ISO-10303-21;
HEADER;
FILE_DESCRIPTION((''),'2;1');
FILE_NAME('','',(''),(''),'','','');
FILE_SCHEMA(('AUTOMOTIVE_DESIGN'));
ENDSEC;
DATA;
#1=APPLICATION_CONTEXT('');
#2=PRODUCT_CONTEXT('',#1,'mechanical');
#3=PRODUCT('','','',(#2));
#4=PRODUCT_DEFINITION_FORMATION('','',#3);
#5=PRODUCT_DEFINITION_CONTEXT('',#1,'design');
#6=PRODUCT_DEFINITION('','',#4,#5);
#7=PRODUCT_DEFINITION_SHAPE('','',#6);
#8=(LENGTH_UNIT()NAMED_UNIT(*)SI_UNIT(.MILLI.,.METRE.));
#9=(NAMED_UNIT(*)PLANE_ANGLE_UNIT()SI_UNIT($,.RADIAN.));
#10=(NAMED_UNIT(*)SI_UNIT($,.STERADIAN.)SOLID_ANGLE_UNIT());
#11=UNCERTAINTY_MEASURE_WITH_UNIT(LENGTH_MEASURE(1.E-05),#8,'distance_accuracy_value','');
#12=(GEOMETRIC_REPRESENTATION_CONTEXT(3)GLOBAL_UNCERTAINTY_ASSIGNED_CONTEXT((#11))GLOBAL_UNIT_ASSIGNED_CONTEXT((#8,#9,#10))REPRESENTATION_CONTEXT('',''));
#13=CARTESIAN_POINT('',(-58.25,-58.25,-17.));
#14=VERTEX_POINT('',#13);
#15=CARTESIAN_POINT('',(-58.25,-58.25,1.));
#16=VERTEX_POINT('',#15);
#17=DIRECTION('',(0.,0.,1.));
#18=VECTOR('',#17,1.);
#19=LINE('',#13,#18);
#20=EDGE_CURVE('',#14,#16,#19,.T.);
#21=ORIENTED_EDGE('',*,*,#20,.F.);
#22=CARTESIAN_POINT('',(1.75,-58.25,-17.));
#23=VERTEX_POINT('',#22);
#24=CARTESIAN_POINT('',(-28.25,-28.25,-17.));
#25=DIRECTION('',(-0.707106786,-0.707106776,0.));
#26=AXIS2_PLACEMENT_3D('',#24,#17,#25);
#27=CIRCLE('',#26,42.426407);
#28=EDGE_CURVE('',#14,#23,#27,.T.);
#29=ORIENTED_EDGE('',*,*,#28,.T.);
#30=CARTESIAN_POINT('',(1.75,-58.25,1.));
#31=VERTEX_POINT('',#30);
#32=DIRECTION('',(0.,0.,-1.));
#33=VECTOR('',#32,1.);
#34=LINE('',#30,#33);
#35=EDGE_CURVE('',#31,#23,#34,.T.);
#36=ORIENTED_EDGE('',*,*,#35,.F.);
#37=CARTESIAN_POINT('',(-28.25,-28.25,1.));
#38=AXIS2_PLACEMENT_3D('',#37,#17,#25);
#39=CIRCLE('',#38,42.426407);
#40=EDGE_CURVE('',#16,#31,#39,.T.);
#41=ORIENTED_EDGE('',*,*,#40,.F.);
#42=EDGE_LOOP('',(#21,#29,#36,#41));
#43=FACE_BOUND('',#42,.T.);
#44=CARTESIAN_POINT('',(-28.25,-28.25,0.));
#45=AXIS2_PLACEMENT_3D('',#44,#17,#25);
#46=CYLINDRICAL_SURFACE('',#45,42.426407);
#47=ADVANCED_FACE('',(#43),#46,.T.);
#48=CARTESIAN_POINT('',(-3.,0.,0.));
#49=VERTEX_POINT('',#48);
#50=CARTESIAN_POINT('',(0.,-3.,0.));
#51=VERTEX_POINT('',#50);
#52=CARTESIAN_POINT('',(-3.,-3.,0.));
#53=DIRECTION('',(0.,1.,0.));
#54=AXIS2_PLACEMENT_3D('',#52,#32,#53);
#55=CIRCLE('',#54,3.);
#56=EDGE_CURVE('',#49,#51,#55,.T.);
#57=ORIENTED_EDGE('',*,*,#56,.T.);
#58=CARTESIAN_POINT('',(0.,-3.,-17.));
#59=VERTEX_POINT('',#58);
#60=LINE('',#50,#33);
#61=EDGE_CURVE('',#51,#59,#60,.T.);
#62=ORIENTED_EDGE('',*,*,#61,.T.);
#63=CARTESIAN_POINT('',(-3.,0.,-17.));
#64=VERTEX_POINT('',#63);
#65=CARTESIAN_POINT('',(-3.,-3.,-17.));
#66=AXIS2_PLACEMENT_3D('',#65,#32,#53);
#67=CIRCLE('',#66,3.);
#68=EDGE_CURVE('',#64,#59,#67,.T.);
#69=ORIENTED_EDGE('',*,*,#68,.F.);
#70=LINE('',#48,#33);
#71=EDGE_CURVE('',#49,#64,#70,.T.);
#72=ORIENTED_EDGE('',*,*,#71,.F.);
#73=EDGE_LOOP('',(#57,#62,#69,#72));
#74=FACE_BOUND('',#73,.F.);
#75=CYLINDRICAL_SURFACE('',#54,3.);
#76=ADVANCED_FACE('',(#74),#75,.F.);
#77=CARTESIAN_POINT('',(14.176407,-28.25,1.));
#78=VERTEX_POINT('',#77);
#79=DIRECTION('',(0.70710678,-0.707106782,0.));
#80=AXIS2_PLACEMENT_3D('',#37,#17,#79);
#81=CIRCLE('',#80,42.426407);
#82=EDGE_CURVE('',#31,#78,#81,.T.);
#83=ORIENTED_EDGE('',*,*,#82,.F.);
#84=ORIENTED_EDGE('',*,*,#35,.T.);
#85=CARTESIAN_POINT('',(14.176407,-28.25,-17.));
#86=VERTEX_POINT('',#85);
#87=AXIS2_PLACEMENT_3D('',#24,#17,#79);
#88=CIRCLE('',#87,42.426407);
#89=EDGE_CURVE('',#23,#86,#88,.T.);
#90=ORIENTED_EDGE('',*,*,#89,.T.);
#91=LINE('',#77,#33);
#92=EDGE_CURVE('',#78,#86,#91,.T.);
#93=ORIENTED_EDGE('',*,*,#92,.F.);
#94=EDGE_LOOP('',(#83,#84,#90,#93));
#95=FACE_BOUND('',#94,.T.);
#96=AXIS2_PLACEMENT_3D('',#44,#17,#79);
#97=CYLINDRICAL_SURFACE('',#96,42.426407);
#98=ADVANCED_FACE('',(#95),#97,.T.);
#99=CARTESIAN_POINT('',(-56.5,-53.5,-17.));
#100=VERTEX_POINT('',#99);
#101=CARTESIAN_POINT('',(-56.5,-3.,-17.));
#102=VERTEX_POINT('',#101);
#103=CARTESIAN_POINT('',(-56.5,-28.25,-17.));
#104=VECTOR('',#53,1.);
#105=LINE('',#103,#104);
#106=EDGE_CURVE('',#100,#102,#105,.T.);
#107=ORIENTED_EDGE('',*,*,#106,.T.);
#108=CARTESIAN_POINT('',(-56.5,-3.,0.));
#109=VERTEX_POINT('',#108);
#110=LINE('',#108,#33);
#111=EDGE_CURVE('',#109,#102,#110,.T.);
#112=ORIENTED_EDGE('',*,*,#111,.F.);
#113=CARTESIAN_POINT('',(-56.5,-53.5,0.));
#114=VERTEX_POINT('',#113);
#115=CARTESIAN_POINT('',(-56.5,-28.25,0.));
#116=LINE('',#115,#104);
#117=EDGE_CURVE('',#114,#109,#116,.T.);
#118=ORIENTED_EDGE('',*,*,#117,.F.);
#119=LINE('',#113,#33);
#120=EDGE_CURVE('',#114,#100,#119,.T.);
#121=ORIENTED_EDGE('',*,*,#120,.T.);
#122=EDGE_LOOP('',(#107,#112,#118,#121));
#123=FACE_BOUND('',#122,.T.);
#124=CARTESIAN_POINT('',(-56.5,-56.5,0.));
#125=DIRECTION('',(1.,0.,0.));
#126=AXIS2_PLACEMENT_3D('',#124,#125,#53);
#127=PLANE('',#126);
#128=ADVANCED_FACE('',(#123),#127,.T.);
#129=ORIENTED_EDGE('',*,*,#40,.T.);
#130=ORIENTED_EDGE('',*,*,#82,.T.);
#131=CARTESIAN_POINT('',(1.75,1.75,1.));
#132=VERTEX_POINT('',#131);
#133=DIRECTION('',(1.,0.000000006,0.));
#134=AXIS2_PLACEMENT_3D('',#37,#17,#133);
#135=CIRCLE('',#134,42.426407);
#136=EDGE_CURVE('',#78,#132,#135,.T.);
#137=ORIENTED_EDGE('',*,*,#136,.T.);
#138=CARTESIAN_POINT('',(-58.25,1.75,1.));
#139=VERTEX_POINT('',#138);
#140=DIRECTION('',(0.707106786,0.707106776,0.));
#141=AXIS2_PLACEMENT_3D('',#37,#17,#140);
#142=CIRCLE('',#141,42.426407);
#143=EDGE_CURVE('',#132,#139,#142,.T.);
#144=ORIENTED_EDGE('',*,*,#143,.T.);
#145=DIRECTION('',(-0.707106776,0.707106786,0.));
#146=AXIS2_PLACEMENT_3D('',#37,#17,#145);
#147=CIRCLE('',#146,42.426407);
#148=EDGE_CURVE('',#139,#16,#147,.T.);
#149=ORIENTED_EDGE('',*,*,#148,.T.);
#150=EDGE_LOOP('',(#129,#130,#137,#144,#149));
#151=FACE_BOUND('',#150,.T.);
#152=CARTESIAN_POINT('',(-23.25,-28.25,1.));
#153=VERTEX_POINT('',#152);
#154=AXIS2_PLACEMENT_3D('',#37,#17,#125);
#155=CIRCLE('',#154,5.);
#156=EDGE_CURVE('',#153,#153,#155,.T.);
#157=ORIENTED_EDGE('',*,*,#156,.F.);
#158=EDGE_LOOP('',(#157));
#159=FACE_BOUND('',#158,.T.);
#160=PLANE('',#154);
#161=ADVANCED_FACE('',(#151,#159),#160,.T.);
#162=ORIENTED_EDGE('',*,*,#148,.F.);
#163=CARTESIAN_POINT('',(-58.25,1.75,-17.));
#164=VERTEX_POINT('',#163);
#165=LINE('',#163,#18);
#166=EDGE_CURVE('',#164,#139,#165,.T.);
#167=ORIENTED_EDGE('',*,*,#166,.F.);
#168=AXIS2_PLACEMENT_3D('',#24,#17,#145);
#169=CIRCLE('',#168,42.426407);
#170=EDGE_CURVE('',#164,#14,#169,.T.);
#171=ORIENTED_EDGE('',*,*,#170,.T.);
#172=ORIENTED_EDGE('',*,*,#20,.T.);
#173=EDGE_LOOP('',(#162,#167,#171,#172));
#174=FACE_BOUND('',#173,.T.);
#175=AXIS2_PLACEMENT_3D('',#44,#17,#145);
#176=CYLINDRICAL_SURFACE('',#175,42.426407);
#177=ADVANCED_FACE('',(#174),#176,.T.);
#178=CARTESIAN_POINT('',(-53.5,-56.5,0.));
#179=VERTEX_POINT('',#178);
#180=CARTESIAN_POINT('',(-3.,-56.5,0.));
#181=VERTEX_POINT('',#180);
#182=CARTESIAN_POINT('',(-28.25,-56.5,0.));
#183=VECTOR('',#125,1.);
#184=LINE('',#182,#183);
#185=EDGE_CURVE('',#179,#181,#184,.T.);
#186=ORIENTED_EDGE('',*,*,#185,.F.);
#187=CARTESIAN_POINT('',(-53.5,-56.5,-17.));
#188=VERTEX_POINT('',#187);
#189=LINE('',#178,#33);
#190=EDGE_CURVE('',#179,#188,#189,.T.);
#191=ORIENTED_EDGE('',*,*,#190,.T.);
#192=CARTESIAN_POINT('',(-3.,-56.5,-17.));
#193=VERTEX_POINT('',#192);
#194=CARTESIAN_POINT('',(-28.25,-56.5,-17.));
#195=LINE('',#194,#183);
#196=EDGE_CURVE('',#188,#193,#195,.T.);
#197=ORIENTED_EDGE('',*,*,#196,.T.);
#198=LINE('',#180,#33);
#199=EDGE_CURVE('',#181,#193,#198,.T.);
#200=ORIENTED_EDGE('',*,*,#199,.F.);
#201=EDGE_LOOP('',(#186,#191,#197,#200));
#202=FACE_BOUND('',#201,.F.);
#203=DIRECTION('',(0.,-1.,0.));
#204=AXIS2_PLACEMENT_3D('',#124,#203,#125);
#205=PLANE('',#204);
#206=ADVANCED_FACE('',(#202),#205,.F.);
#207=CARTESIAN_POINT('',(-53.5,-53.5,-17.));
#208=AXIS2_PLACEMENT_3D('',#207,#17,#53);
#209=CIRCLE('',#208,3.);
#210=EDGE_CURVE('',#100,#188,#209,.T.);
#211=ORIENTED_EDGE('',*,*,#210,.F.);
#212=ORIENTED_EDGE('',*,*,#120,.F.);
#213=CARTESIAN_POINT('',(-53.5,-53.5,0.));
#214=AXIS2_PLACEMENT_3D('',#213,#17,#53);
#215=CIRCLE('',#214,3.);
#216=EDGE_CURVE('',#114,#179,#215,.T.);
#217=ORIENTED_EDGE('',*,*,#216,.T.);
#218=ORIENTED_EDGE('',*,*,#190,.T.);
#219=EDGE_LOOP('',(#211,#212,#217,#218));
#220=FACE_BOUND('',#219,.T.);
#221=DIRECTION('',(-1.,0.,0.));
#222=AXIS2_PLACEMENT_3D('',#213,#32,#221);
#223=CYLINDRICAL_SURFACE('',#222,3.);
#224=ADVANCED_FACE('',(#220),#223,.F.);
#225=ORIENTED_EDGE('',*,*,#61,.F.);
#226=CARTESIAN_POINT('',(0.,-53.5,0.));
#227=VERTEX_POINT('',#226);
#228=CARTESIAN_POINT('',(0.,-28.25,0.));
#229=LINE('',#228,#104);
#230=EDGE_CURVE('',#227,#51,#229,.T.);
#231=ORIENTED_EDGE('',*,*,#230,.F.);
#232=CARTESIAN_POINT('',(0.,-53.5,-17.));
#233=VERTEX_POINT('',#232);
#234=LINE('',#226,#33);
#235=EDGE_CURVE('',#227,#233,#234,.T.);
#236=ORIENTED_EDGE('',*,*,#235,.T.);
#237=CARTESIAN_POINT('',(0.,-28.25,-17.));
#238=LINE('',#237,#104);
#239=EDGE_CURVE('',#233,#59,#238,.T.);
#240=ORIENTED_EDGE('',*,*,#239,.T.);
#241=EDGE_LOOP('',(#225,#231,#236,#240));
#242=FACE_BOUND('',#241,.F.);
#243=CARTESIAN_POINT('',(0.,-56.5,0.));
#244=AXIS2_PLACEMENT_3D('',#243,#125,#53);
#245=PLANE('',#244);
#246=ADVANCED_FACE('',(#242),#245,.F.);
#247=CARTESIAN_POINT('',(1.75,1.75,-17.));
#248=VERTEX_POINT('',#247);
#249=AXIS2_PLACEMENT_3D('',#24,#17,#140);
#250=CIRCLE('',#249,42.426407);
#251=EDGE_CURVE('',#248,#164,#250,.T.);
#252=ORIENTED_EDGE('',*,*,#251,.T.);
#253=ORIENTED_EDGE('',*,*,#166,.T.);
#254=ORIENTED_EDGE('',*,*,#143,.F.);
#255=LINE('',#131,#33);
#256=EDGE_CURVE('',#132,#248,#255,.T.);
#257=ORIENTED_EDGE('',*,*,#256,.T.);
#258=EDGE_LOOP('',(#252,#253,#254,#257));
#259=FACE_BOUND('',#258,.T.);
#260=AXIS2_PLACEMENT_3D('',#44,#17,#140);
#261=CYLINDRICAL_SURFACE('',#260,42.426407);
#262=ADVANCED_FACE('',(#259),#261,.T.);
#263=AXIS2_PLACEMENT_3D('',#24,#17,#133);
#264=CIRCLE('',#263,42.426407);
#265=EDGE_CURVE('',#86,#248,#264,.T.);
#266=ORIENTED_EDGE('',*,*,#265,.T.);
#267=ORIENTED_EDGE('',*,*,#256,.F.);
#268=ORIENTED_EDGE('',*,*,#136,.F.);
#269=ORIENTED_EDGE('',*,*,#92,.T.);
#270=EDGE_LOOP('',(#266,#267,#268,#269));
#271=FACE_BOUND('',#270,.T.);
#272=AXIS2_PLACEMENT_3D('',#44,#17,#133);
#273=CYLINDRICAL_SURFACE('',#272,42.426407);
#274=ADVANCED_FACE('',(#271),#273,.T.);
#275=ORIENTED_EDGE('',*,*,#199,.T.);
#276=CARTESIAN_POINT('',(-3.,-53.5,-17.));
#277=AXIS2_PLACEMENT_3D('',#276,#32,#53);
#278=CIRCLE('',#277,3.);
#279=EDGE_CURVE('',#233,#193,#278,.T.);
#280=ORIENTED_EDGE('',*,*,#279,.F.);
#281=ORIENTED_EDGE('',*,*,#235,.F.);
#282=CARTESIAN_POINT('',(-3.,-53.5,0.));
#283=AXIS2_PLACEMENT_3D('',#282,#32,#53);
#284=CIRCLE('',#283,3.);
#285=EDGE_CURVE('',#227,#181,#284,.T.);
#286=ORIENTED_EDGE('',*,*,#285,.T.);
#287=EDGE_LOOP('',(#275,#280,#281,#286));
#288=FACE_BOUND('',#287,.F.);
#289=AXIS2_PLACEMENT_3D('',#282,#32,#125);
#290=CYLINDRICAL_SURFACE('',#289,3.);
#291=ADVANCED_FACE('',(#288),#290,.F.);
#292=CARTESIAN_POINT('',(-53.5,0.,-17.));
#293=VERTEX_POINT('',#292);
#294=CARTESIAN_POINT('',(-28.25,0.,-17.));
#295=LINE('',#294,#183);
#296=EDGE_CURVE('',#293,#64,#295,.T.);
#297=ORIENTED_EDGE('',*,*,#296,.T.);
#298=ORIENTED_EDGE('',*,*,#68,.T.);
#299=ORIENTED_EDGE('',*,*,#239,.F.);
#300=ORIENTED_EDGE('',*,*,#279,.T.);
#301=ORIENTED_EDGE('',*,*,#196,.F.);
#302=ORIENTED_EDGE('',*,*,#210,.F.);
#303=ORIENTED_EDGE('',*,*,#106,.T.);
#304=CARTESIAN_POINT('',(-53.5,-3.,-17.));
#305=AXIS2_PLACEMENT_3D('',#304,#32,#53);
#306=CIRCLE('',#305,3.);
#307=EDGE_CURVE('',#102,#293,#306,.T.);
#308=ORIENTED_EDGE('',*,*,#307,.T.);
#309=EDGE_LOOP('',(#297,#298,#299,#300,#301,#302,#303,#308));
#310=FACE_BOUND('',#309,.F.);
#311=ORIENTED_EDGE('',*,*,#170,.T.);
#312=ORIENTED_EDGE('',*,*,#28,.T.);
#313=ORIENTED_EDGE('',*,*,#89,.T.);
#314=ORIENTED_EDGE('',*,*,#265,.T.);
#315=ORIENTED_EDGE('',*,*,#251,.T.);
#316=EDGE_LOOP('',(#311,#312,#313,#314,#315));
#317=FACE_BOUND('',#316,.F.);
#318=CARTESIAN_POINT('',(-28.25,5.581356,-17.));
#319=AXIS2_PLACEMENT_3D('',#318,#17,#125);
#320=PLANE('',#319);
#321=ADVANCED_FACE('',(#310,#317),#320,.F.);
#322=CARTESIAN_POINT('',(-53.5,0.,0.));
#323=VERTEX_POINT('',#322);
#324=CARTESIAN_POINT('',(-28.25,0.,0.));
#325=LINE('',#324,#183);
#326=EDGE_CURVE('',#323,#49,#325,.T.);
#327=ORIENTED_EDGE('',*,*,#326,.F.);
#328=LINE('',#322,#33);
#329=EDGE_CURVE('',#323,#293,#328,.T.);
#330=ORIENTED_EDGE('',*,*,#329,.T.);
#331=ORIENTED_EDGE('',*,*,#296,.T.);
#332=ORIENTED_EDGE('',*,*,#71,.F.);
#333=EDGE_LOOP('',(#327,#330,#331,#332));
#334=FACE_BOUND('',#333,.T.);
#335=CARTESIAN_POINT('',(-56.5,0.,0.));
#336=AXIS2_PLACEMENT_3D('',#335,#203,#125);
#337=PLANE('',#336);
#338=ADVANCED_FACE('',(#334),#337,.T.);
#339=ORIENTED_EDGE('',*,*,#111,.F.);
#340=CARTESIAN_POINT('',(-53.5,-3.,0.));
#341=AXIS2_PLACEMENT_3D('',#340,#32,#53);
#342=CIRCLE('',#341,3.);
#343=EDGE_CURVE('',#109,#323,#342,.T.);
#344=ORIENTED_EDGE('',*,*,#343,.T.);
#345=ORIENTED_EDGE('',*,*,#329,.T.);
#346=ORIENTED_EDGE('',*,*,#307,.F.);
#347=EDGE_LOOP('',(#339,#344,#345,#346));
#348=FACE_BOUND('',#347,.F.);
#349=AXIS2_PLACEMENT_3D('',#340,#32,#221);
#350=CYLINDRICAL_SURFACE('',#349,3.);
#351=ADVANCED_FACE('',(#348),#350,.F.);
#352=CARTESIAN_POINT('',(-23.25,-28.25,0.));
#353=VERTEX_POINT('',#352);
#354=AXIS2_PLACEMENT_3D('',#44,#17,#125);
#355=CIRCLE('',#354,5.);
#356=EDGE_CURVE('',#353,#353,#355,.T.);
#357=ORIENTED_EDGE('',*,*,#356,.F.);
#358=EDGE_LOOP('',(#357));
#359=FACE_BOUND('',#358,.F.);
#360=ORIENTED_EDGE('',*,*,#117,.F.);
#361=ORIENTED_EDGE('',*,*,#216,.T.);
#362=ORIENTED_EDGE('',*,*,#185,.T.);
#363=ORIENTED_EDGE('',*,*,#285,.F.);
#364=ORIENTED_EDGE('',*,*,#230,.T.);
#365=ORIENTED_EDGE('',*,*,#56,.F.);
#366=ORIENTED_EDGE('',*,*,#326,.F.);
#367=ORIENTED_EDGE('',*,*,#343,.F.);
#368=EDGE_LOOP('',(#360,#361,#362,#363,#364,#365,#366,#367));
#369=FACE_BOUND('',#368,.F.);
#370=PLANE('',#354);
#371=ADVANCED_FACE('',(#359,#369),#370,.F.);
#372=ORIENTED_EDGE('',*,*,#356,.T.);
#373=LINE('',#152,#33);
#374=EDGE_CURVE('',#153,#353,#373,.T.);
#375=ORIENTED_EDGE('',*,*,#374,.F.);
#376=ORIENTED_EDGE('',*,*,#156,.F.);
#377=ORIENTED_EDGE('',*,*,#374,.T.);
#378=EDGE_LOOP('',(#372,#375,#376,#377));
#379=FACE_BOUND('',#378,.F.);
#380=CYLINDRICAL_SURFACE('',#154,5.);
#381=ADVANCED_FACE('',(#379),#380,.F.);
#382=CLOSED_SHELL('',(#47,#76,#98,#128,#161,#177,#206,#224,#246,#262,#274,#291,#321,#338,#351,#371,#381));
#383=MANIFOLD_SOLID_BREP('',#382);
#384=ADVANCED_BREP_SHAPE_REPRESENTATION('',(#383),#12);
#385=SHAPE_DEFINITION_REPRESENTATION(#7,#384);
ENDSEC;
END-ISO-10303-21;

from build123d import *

# Parameters (mm, degrees)
F0_W     = 60
F0_H     = 60
F0_W_2   = 56.5
F0_H_2   = 56.5
F1_DEPTH = 17
F2_DEPTH = 1
F3_DEPTH = 17
F4_R     = 5
F5_DEPTH = 25
F6_R     = 3


with BuildPart() as f1:
    # F0 (on Top) → F1 (new body)
    with BuildSketch(Plane.XY):
        with Locations((-28.25, -28.25)):
            Rectangle(F0_W, F0_H)
        with Locations((-28.25, -28.25)):
            Rectangle(F0_W_2, F0_H_2, mode=Mode.SUBTRACT)
    extrude(amount=-F1_DEPTH)

    # F0 (on Top) → F2 (join)
    with BuildSketch(Plane.XY):
        with Locations((-28.25, -28.25)):
            Rectangle(F0_W, F0_H)
        with Locations((-28.25, -28.25)):
            Rectangle(F0_W_2, F0_H_2, mode=Mode.SUBTRACT)
        with BuildLine():
            ThreePointArc((1.75, 1.75), (-28.25, 14.176407), (-58.25, 1.75))
            Line((-58.25, 1.75), (1.75, 1.75))
        make_face()
        with BuildLine():
            Line((1.75, 1.75), (1.75, -58.25))
            ThreePointArc((1.75, -58.25), (10.946889, -44.485883), (14.176407, -28.25))
            ThreePointArc((14.176407, -28.25), (10.946889, -12.014117), (1.75, 1.75))
        make_face()
        with BuildLine():
            Line((1.75, -58.25), (-58.25, -58.25))
            ThreePointArc((-58.25, -58.25), (-28.25, -70.676407), (1.75, -58.25))
        make_face()
        with BuildLine():
            ThreePointArc((-58.25, 1.75), (-70.676407, -28.25), (-58.25, -58.25))
            Line((-58.25, -58.25), (-58.25, 1.75))
        make_face()
        with Locations((-28.25, -28.25)):
            Rectangle(F0_W_2, F0_H_2)
    extrude(amount=F2_DEPTH)

    # F0 (on Top) → F3 (join)
    with BuildSketch(Plane.XY):
        with BuildLine():
            ThreePointArc((1.75, 1.75), (-28.25, 14.176407), (-58.25, 1.75))
            Line((-58.25, 1.75), (1.75, 1.75))
        make_face()
        with BuildLine():
            ThreePointArc((-58.25, 1.75), (-70.676407, -28.25), (-58.25, -58.25))
            Line((-58.25, -58.25), (-58.25, 1.75))
        make_face()
        with BuildLine():
            Line((1.75, 1.75), (1.75, -58.25))
            ThreePointArc((1.75, -58.25), (10.946889, -44.485883), (14.176407, -28.25))
            ThreePointArc((14.176407, -28.25), (10.946889, -12.014117), (1.75, 1.75))
        make_face()
        with BuildLine():
            Line((1.75, -58.25), (-58.25, -58.25))
            ThreePointArc((-58.25, -58.25), (-28.25, -70.676407), (1.75, -58.25))
        make_face()
    extrude(amount=-F3_DEPTH)

    # F4 (on face) → F5 (cut)
    with BuildSketch(Plane.XY.offset(1)):
        with Locations((-28.25, -28.25)):
            Circle(F4_R)
    extrude(amount=-F5_DEPTH, mode=Mode.SUBTRACT)

    # F6
    f6_edges = [f1.edges().sort_by_distance(p)[0] for p in [
        (0, 0, -8.5),
        (-56.5, 0, -8.5),
        (-56.5, -56.5, -8.5),
        (0, -56.5, -8.5),
    ]]
    fillet(f6_edges, radius=F6_R)


solid = f1.part
